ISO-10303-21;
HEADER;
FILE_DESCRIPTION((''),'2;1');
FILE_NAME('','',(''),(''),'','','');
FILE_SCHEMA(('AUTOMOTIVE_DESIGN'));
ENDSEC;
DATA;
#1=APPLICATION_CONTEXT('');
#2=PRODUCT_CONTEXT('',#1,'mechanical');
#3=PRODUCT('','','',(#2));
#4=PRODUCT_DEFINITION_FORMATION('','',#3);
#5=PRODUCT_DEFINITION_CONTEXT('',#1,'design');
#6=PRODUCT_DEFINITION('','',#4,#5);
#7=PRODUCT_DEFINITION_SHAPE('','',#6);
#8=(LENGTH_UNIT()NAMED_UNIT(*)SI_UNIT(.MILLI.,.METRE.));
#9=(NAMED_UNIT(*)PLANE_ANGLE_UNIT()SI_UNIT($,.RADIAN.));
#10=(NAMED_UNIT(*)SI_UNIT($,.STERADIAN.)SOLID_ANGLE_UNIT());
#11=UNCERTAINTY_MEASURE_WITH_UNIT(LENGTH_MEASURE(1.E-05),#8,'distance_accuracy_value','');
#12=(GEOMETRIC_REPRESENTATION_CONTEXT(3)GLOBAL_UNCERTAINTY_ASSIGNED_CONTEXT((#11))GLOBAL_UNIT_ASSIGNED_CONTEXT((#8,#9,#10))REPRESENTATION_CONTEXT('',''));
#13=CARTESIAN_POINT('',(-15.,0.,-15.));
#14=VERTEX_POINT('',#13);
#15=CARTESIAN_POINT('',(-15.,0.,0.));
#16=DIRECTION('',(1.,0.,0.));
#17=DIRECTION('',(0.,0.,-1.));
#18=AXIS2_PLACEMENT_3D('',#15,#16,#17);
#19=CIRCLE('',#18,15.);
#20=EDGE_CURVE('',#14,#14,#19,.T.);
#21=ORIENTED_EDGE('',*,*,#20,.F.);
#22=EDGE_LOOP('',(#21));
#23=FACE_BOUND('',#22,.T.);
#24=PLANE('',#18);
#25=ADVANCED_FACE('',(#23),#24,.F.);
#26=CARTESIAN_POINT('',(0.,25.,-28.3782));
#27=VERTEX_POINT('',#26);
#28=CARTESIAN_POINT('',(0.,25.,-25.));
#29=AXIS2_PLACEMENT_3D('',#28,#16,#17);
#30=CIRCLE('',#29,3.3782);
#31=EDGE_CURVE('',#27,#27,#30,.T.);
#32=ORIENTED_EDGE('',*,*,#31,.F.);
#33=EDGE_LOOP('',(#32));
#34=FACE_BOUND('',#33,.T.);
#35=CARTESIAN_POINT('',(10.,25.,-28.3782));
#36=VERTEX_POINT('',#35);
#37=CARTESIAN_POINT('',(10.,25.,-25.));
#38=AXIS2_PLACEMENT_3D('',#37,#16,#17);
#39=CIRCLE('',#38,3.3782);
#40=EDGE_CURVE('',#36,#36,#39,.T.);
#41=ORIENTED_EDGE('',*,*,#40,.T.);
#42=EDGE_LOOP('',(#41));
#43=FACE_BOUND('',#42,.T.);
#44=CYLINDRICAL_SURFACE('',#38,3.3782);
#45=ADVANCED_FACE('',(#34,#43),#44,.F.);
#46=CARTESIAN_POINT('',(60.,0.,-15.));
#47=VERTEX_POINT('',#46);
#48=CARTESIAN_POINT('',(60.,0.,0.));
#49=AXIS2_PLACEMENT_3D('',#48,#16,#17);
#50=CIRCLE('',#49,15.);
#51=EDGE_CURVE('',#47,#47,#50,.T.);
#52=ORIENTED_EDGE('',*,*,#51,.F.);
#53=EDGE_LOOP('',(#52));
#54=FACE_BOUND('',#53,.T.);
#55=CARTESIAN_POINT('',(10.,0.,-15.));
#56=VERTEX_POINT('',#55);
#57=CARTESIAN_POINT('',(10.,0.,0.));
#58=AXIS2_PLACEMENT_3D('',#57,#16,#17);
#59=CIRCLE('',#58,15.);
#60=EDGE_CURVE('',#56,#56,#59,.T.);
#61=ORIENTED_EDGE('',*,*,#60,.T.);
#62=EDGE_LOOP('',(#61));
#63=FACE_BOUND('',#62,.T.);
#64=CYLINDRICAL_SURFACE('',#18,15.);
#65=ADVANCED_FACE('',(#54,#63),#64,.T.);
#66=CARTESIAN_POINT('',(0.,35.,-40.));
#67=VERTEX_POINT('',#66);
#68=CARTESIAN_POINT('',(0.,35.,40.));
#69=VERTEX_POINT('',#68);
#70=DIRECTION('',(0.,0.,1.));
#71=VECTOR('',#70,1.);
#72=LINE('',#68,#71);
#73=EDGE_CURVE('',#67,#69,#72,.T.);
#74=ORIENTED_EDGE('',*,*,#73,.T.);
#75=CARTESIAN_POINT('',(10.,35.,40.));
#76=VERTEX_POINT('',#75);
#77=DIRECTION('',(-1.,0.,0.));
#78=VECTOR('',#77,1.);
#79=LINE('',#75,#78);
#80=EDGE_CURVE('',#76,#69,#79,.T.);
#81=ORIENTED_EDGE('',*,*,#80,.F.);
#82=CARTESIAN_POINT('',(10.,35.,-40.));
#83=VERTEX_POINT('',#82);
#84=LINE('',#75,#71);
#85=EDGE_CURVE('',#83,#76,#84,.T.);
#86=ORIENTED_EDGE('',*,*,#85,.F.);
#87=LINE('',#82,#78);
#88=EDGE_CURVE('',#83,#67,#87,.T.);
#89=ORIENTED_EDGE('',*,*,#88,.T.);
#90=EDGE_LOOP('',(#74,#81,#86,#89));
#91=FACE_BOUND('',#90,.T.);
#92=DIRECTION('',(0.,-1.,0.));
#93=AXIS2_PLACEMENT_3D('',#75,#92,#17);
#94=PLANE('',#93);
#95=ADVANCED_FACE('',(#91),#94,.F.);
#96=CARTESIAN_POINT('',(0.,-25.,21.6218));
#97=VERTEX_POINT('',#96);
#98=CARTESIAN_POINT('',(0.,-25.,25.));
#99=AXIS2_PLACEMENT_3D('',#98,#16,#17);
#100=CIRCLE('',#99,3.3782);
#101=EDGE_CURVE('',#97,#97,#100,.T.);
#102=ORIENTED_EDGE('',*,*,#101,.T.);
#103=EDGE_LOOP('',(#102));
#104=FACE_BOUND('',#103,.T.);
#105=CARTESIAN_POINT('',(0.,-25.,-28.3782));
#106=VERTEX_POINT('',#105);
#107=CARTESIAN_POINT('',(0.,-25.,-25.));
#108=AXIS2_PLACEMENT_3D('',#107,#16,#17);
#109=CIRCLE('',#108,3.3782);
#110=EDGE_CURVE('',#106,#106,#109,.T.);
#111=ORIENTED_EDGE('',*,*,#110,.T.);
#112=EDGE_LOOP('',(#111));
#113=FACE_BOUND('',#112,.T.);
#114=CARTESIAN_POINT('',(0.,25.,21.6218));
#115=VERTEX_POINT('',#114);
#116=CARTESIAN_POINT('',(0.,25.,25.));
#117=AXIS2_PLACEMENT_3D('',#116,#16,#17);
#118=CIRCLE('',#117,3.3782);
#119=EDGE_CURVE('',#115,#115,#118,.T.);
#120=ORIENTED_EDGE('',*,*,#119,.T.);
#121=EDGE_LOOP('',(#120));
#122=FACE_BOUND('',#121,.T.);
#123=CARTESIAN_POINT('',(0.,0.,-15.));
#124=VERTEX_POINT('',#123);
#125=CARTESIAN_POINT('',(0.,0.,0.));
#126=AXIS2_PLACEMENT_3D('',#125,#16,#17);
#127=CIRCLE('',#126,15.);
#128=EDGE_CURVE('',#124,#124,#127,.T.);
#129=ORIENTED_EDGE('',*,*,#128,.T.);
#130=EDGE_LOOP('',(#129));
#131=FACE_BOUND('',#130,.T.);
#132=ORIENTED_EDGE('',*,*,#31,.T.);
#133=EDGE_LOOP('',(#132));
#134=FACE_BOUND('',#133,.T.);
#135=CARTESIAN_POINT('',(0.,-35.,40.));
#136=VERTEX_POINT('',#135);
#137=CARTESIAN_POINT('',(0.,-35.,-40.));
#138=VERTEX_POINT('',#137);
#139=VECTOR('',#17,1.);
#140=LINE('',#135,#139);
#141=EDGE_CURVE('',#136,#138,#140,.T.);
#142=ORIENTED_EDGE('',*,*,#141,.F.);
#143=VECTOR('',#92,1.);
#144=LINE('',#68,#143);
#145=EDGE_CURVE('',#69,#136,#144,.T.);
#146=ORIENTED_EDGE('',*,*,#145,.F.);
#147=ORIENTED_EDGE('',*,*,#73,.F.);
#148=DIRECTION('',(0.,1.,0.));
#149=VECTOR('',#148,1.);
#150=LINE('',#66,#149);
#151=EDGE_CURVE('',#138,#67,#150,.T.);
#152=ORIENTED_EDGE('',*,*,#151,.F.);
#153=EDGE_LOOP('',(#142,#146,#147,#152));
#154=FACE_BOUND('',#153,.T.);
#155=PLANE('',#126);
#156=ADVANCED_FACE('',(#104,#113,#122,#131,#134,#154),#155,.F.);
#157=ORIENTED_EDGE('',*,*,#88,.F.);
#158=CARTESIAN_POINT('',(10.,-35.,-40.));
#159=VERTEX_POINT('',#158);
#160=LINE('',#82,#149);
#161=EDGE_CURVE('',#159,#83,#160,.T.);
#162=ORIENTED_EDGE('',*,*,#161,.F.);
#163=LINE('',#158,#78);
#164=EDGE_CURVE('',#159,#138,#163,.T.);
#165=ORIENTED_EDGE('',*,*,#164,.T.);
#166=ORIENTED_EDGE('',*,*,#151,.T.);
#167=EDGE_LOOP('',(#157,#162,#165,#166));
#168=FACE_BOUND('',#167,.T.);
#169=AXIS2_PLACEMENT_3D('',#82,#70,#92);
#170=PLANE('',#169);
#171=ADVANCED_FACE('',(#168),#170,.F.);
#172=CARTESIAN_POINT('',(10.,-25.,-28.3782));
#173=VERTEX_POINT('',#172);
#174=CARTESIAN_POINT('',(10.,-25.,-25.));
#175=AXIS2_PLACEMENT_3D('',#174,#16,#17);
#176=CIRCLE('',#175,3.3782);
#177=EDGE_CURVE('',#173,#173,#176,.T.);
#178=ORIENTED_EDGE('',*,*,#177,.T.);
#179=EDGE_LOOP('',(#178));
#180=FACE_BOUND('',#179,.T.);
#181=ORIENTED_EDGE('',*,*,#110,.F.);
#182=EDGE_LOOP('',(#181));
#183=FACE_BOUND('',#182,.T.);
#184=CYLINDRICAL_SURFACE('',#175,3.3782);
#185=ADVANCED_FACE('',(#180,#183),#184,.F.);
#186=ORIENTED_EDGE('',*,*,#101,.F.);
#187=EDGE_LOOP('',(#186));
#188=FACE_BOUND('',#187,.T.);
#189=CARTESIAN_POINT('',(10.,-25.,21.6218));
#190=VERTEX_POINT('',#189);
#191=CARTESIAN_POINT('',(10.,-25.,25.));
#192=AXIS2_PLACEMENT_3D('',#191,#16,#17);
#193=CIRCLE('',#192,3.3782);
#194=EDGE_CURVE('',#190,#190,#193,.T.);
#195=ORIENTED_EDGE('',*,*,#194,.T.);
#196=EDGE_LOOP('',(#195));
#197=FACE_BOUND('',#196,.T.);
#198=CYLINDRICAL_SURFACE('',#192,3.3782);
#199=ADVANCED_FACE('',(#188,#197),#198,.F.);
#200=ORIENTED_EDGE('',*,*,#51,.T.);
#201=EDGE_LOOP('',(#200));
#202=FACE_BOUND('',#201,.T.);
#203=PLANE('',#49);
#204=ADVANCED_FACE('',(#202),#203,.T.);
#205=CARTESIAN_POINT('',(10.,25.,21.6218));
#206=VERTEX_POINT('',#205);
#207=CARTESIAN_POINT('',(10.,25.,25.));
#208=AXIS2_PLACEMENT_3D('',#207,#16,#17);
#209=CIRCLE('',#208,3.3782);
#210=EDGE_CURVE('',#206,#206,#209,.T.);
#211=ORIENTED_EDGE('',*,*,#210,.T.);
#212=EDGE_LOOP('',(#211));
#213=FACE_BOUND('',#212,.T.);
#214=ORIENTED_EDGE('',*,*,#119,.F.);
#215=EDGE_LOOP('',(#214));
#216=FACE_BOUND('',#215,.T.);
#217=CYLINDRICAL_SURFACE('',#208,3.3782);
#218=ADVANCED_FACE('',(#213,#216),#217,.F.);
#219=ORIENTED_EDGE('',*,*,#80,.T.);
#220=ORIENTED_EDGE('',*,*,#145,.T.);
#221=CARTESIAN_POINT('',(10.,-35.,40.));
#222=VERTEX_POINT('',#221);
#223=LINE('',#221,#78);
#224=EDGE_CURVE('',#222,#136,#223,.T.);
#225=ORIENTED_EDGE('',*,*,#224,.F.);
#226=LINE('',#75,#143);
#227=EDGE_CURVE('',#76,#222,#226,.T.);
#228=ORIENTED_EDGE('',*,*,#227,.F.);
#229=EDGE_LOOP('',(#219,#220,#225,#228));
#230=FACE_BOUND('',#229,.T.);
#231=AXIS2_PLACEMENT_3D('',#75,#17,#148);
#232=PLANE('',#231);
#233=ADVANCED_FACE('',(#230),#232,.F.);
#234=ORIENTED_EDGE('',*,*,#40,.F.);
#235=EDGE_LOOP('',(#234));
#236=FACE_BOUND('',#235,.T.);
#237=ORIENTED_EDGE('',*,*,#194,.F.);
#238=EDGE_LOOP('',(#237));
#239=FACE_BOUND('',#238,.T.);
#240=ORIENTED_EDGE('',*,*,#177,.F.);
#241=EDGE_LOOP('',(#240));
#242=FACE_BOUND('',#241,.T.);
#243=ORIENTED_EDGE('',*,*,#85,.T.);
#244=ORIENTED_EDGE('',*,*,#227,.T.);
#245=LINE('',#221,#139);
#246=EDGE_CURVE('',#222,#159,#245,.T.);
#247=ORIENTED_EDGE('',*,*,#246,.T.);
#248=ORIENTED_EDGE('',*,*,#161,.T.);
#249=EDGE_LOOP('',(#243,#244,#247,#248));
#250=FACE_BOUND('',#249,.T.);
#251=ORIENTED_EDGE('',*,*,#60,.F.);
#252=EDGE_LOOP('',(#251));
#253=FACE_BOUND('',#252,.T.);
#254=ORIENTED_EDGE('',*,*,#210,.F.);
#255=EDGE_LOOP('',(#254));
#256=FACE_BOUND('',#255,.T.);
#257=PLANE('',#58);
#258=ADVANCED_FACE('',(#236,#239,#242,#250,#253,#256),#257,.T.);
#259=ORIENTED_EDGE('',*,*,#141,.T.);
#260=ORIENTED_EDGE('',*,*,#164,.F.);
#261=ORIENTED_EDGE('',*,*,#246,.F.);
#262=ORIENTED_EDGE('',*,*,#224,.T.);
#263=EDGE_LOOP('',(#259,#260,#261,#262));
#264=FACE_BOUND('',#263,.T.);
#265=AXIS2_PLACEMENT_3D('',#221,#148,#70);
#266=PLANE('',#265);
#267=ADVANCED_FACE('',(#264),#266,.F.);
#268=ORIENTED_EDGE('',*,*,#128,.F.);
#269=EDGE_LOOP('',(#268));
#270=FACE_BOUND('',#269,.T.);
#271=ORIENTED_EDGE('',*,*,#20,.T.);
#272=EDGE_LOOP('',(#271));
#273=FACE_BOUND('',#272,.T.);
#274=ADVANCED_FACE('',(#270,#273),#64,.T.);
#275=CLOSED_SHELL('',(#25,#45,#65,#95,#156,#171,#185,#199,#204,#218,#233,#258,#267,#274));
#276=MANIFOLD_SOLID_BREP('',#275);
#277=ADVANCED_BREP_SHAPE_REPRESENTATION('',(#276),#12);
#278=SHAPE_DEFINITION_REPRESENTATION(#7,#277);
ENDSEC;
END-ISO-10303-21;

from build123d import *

# Parameters (mm, degrees)
SKETCH1_W                = 80
SKETCH1_H                = 70
BOSS_EXTRUDE1_DEPTH      = 10
BOSS_EXTRUDE2_DEPTH      = 50
BOSS_EXTRUDE2_DEPTH_BACK = 25
SKETCH2_R                = 15
LPATTERN1_COUNT          = 2
LPATTERN1_PITCH          = 50
LPATTERN1_COUNT_DIR2     = 2
LPATTERN1_PITCH_DIR2     = 50


with BuildPart() as part:
    # Sketch1 → Boss-Extrude1 (new body)
    with BuildSketch(Plane(origin=(0, 0, 0), x_dir=(0, 0, -1), z_dir=(1, 0, 0))):
        Rectangle(SKETCH1_W, SKETCH1_H)
    extrude(amount=BOSS_EXTRUDE1_DEPTH)

    # Sketch2 → Boss-Extrude2 (add, two sides: drawn at the far end of the back side and taken through both)
    with BuildSketch(Plane(origin=(10, 0, 0), x_dir=(0, 0, -1), z_dir=(1, 0, 0)).offset(-BOSS_EXTRUDE2_DEPTH_BACK)):
        Circle(SKETCH2_R)
    extrude(amount=BOSS_EXTRUDE2_DEPTH + BOSS_EXTRUDE2_DEPTH_BACK)

    # Sketch4 → 1/4 Clearance Hole1 (revolve, cut)
    with BuildSketch(Plane(origin=(10, 25, 25), x_dir=(0, 0, -1), z_dir=(0, 1, 0))):
        Polygon((0, 0), (0, 31.239827343), (3.3782, 29.21), (3.3782, 0), align=None)
    f_1_4_clearance_hole1 = revolve(axis=Axis((16.35, 25, 25), (-1, 0, 0)), mode=Mode.SUBTRACT)

    # LPattern1: 1_4 Clearance Hole1 2 × 2
    with Locations(*[(0, -j * LPATTERN1_PITCH_DIR2, -i * LPATTERN1_PITCH) for i in range(LPATTERN1_COUNT) for j in range(LPATTERN1_COUNT_DIR2) if (i, j) != (0, 0)]):
        add(f_1_4_clearance_hole1, mode=Mode.SUBTRACT)


solid = part.part
